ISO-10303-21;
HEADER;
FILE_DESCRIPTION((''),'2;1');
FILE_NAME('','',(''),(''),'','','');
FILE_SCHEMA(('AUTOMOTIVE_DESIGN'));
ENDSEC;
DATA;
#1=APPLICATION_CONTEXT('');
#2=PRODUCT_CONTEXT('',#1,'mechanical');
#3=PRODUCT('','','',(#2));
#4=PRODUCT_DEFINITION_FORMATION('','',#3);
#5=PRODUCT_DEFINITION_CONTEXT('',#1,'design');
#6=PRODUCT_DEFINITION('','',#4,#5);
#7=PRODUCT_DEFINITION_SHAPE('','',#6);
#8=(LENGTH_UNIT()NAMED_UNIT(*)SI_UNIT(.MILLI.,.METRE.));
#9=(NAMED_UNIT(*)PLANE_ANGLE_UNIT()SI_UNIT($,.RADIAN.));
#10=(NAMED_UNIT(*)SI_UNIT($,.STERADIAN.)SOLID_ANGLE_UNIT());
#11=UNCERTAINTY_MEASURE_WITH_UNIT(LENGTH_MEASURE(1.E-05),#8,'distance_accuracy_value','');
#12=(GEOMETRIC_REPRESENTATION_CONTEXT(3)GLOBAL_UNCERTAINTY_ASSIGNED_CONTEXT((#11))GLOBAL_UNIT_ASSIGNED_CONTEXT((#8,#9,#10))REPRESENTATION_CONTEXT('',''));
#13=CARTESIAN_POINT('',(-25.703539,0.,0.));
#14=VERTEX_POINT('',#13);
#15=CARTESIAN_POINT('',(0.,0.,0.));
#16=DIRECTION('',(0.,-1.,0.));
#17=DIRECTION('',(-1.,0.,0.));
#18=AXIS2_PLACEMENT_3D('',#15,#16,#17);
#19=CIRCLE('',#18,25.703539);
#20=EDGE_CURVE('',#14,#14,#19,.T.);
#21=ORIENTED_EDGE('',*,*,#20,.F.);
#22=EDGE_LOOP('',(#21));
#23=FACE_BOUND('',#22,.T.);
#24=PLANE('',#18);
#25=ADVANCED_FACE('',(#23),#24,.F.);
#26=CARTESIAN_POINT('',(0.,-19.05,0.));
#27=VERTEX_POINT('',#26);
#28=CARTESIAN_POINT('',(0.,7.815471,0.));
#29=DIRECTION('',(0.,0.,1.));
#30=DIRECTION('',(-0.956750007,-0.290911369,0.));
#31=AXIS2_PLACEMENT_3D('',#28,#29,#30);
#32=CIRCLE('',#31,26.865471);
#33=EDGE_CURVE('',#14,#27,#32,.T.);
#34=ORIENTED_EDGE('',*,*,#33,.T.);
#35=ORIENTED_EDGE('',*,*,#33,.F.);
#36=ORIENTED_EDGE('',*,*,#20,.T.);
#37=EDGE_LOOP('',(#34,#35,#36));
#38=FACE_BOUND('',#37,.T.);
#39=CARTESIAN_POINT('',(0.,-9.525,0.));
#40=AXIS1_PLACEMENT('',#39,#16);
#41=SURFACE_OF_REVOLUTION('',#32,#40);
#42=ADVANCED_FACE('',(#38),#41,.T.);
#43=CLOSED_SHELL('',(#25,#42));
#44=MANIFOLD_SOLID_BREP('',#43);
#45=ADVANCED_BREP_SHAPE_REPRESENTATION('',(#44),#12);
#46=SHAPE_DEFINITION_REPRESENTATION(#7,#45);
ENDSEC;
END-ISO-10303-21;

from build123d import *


with BuildPart() as f2:
    # F1 (on Top) → F2 (revolve)
    with BuildSketch(Plane.XY):
        with BuildLine():
            Line((0, -19.05), (0, 0))
            Line((0, 0), (-25.703539, 0))
            ThreePointArc((-25.703539, 0), (-15.996675, -13.768317), (0, -19.05))
        make_face()
    revolve(axis=Axis((0, -9.525, 0), (0, -1, 0)))


solid = f2.part
